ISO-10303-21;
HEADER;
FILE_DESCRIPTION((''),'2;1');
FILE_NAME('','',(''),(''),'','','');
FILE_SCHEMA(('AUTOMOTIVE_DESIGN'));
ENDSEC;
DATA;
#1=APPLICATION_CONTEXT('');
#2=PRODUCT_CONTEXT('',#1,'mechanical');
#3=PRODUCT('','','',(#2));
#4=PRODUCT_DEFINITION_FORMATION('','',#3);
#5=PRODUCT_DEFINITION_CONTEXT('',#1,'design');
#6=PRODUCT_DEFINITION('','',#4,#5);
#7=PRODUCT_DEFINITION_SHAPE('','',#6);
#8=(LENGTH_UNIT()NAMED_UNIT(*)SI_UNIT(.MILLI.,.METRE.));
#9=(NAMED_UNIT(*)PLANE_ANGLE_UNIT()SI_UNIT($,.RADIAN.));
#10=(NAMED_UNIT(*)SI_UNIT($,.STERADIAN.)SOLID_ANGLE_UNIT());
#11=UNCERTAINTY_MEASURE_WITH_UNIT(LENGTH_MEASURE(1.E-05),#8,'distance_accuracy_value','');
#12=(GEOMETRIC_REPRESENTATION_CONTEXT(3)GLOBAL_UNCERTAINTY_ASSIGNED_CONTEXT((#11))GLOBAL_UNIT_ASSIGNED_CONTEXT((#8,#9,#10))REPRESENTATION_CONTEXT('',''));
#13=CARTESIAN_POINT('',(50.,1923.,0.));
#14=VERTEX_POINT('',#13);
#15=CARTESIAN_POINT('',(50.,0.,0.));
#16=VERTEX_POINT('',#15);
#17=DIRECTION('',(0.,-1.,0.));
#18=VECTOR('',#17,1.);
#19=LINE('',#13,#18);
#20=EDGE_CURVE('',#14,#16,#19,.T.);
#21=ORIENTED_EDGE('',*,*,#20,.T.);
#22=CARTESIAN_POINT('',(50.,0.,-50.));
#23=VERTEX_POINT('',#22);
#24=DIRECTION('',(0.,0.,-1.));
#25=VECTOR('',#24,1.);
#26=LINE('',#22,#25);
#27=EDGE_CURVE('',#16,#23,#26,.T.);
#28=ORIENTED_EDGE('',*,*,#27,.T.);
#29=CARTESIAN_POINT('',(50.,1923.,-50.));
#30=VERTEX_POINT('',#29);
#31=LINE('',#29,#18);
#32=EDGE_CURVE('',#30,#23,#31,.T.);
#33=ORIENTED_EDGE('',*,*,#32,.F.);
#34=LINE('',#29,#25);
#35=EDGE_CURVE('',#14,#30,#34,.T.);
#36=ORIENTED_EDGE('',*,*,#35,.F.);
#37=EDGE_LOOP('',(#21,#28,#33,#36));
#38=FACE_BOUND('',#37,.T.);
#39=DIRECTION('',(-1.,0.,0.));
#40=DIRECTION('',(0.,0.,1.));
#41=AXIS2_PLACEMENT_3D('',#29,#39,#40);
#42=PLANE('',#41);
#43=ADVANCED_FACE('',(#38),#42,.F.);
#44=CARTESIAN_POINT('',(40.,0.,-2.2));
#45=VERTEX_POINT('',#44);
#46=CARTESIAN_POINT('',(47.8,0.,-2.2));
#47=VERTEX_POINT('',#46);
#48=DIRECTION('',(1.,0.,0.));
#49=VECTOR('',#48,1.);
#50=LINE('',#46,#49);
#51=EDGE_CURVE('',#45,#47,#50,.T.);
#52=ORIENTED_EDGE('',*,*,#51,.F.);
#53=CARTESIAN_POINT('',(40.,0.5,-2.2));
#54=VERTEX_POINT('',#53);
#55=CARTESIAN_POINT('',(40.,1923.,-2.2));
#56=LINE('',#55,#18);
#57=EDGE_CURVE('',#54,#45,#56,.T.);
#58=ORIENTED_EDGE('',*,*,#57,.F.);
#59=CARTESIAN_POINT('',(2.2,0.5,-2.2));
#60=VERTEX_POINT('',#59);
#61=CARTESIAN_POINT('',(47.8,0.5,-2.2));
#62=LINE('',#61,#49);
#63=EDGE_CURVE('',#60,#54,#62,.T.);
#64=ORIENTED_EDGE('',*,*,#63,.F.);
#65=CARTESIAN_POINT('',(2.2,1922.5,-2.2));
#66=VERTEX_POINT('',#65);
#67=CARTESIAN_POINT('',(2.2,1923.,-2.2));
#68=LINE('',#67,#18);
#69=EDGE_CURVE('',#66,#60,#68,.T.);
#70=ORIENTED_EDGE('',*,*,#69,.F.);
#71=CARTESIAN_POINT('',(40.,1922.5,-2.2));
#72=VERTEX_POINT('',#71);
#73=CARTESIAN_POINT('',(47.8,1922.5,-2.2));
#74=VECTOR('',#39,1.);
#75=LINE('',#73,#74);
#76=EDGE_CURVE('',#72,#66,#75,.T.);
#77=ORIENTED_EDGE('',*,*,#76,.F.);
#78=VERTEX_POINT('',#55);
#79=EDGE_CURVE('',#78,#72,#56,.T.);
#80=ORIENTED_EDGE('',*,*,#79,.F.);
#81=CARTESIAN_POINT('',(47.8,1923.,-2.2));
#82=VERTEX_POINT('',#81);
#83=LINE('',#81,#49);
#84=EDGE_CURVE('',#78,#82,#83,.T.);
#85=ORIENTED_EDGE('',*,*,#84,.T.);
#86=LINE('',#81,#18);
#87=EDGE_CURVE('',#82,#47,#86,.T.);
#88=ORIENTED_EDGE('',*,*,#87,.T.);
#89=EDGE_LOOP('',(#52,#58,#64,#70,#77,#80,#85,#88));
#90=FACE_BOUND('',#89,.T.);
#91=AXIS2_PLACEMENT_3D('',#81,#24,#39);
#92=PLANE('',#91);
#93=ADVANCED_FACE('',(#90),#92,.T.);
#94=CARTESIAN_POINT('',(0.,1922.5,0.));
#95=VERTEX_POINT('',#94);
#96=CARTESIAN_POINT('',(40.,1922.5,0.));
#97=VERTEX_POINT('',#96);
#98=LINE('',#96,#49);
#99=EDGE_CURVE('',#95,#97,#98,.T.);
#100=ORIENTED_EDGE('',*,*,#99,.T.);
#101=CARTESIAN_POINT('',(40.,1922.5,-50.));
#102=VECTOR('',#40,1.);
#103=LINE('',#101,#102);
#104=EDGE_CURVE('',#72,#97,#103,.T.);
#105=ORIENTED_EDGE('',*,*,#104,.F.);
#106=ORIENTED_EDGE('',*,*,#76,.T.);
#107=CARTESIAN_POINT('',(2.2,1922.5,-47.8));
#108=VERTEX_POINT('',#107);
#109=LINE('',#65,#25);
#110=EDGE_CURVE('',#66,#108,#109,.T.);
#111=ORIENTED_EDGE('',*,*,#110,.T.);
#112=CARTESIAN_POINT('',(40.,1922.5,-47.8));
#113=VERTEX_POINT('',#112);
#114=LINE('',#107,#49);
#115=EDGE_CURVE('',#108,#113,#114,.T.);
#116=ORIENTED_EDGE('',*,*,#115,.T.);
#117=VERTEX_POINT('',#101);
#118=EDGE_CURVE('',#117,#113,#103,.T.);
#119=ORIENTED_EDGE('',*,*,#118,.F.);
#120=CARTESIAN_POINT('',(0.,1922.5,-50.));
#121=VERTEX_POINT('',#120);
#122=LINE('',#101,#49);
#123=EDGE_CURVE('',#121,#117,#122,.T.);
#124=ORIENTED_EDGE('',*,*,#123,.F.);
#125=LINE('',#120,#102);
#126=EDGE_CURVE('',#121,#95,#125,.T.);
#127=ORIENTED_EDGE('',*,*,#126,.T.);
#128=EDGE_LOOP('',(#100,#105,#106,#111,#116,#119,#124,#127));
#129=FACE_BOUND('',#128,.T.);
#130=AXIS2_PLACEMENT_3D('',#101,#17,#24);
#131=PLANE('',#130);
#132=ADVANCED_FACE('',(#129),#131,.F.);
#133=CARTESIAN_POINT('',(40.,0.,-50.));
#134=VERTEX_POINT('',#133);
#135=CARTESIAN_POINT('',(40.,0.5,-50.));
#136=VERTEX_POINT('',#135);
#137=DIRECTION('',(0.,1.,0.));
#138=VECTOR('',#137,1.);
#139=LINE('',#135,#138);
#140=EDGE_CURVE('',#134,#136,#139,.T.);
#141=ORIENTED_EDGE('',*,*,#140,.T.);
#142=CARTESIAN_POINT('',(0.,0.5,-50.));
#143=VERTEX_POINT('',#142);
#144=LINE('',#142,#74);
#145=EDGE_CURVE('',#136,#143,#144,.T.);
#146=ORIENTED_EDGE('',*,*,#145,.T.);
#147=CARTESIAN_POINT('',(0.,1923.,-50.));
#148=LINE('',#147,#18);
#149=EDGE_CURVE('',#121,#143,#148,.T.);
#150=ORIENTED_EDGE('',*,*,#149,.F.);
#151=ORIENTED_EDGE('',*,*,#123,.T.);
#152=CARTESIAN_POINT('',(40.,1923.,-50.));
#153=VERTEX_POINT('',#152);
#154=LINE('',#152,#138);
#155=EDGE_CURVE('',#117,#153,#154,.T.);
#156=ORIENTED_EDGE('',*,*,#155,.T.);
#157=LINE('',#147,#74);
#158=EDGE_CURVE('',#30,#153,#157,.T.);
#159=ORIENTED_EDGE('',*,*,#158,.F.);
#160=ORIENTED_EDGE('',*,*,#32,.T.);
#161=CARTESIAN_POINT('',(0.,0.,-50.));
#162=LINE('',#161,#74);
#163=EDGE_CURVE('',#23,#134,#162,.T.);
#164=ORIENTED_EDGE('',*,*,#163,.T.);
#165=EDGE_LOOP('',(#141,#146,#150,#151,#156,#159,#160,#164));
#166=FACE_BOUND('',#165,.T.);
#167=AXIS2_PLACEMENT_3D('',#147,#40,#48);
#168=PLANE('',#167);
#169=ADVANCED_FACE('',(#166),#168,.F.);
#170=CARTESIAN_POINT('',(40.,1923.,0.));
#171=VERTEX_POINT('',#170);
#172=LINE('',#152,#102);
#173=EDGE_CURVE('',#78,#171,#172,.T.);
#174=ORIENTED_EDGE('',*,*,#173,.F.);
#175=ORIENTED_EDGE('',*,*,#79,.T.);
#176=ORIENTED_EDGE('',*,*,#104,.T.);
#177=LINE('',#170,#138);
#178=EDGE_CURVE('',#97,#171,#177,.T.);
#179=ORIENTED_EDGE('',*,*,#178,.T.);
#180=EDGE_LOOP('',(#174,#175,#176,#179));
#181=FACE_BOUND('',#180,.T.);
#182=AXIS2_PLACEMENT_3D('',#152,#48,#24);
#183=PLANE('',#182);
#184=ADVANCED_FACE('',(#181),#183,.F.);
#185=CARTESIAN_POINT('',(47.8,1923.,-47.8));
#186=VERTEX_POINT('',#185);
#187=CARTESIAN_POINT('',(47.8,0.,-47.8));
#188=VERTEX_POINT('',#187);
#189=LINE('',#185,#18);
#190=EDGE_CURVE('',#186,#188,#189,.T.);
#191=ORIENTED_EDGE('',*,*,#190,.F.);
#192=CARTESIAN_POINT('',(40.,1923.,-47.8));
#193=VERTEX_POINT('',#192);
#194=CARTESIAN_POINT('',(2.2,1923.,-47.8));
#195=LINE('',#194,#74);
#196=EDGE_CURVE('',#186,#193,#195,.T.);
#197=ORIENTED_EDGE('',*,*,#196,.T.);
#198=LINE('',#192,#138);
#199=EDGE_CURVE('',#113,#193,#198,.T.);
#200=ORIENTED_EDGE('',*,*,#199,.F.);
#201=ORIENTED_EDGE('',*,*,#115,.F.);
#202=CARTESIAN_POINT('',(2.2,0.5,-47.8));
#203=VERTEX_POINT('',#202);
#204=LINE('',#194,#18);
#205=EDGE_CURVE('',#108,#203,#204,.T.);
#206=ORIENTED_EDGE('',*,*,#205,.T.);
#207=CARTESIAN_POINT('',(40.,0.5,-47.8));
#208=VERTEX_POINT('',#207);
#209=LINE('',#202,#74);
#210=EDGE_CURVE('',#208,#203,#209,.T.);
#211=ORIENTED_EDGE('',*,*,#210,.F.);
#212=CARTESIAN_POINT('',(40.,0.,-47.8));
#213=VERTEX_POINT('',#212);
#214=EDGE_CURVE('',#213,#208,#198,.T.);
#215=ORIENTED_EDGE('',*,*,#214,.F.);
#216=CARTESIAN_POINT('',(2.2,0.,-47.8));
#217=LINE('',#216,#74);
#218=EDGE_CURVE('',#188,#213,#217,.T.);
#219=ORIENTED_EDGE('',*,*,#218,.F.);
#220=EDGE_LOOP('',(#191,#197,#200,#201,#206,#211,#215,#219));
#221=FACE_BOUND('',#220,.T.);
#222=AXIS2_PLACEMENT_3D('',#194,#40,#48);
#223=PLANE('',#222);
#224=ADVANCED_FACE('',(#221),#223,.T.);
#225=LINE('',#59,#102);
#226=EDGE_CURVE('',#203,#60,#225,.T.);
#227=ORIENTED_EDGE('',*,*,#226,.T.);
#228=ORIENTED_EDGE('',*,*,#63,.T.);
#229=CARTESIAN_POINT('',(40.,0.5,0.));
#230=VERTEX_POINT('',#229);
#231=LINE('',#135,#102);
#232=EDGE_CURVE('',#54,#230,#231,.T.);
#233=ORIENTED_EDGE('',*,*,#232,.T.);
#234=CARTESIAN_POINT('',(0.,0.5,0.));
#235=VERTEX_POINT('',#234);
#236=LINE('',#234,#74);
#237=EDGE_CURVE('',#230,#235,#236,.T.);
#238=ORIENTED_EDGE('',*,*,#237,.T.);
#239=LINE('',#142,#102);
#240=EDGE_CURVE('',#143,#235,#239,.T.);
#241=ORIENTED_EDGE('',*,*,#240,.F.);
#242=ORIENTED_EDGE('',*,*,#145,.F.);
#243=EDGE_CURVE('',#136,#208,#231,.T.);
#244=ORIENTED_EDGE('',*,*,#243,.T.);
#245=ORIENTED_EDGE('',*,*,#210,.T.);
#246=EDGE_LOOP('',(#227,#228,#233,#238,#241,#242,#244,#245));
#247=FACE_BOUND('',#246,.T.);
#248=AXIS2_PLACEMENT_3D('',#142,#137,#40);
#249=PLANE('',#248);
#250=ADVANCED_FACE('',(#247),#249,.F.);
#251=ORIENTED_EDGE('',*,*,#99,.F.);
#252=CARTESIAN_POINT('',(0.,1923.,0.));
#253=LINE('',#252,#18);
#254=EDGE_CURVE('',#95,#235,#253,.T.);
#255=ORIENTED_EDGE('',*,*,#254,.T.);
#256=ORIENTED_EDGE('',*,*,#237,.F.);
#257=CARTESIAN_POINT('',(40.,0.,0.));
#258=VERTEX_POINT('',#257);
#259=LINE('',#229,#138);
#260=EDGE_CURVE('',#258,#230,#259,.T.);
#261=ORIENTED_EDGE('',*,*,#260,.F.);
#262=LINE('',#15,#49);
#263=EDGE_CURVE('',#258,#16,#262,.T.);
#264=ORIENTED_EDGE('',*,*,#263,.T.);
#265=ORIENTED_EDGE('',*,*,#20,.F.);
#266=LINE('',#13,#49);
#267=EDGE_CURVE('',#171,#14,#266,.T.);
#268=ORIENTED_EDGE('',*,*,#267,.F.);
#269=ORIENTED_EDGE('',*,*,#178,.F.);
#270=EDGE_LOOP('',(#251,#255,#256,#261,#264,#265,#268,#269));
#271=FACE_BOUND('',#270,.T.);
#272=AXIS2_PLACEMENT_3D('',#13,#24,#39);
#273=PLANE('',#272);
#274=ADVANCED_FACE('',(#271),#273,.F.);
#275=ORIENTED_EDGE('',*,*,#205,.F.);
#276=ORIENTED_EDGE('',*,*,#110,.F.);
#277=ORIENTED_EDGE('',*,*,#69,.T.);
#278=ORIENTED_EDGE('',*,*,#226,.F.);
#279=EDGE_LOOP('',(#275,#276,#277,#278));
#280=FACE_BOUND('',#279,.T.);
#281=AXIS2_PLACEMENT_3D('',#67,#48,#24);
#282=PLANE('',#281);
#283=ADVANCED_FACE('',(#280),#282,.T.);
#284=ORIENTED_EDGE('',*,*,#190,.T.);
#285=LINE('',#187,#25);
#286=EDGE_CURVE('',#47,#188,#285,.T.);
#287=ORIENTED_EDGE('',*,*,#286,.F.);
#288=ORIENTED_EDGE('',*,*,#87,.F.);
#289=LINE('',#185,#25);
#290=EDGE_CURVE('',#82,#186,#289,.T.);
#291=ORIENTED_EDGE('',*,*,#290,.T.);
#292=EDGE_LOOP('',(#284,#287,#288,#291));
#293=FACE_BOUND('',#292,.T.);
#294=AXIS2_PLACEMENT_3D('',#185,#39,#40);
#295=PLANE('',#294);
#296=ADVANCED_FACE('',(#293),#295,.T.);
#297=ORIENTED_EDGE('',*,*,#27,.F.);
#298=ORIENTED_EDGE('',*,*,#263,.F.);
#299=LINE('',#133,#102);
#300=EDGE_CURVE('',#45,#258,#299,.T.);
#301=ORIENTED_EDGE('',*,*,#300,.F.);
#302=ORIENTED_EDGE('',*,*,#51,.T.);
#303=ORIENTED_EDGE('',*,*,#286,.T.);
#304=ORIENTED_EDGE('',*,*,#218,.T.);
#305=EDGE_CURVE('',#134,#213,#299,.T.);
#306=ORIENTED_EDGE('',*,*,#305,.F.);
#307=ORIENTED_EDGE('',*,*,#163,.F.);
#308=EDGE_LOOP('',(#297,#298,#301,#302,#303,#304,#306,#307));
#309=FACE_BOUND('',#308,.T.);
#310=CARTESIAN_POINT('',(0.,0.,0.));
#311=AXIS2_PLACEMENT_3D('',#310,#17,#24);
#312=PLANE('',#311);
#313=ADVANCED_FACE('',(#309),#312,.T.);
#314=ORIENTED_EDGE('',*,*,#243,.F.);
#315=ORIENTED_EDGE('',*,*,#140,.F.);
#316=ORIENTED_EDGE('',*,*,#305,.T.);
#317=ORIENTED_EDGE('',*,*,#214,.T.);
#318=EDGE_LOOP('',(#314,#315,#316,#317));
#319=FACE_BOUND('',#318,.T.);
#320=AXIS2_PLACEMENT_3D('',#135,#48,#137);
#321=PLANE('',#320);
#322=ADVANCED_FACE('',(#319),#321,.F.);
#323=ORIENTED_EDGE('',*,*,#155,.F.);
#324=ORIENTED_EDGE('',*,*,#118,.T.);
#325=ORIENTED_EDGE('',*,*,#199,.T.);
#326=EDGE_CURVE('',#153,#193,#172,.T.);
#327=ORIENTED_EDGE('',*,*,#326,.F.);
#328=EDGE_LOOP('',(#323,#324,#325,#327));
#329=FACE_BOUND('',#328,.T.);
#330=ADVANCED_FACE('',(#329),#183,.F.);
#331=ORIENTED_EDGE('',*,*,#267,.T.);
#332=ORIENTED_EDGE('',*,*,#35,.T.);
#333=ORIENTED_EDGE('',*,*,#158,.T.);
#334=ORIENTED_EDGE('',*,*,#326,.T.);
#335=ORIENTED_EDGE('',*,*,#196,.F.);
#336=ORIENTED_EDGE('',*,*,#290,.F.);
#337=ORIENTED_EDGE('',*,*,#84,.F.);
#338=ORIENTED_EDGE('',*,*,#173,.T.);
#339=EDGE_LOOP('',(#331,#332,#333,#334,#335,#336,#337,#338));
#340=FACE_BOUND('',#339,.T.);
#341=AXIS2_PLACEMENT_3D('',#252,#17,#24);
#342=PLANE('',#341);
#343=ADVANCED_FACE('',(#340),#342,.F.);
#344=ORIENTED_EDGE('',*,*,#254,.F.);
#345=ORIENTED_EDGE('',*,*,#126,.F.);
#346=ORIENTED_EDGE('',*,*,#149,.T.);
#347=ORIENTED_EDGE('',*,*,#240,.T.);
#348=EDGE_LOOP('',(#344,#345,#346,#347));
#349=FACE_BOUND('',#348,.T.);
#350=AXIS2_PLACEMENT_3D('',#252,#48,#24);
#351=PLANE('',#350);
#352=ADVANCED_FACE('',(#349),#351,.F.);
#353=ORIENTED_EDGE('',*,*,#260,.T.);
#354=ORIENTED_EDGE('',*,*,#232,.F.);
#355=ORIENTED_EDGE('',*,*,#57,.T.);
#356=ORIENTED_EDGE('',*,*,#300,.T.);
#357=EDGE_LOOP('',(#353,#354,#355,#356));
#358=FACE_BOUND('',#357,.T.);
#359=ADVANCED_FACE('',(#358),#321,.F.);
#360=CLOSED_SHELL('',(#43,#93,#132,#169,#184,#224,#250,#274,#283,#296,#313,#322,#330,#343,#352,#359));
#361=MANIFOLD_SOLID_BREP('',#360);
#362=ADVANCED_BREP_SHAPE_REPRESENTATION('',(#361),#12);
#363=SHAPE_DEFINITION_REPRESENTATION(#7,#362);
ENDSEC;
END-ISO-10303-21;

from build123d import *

# Parameters (mm, degrees)
SKETCH1_W           = 50
SKETCH1_H           = 50
SKETCH1_W_2         = 45.6
SKETCH1_H_2         = 45.6
BOSS_EXTRUDE1_DEPTH = 1923
SKETCH2_W           = 40
SKETCH2_H           = 0.5
CUT_EXTRUDE2_DEPTH  = 50


with BuildPart() as part:
    # Sketch1 → Boss-Extrude1 (new body)
    with BuildSketch(Plane(origin=(0, 0, 0), x_dir=(1, 0, 0), z_dir=(0, 1, 0))):
        with Locations((25, 25)):
            Rectangle(SKETCH1_W, SKETCH1_H)
        with Locations((25, 25)):
            Rectangle(SKETCH1_W_2, SKETCH1_H_2, mode=Mode.SUBTRACT)
    extrude(amount=BOSS_EXTRUDE1_DEPTH)

    # Sketch2 → Cut-Extrude2 (cut)
    with BuildSketch(Plane.XY):
        with Locations((20, 0.25)):
            Rectangle(SKETCH2_W, SKETCH2_H)
        with Locations((20, 1922.75)):
            Rectangle(SKETCH2_W, SKETCH2_H)
    extrude(amount=-CUT_EXTRUDE2_DEPTH, mode=Mode.SUBTRACT)


solid = part.part
